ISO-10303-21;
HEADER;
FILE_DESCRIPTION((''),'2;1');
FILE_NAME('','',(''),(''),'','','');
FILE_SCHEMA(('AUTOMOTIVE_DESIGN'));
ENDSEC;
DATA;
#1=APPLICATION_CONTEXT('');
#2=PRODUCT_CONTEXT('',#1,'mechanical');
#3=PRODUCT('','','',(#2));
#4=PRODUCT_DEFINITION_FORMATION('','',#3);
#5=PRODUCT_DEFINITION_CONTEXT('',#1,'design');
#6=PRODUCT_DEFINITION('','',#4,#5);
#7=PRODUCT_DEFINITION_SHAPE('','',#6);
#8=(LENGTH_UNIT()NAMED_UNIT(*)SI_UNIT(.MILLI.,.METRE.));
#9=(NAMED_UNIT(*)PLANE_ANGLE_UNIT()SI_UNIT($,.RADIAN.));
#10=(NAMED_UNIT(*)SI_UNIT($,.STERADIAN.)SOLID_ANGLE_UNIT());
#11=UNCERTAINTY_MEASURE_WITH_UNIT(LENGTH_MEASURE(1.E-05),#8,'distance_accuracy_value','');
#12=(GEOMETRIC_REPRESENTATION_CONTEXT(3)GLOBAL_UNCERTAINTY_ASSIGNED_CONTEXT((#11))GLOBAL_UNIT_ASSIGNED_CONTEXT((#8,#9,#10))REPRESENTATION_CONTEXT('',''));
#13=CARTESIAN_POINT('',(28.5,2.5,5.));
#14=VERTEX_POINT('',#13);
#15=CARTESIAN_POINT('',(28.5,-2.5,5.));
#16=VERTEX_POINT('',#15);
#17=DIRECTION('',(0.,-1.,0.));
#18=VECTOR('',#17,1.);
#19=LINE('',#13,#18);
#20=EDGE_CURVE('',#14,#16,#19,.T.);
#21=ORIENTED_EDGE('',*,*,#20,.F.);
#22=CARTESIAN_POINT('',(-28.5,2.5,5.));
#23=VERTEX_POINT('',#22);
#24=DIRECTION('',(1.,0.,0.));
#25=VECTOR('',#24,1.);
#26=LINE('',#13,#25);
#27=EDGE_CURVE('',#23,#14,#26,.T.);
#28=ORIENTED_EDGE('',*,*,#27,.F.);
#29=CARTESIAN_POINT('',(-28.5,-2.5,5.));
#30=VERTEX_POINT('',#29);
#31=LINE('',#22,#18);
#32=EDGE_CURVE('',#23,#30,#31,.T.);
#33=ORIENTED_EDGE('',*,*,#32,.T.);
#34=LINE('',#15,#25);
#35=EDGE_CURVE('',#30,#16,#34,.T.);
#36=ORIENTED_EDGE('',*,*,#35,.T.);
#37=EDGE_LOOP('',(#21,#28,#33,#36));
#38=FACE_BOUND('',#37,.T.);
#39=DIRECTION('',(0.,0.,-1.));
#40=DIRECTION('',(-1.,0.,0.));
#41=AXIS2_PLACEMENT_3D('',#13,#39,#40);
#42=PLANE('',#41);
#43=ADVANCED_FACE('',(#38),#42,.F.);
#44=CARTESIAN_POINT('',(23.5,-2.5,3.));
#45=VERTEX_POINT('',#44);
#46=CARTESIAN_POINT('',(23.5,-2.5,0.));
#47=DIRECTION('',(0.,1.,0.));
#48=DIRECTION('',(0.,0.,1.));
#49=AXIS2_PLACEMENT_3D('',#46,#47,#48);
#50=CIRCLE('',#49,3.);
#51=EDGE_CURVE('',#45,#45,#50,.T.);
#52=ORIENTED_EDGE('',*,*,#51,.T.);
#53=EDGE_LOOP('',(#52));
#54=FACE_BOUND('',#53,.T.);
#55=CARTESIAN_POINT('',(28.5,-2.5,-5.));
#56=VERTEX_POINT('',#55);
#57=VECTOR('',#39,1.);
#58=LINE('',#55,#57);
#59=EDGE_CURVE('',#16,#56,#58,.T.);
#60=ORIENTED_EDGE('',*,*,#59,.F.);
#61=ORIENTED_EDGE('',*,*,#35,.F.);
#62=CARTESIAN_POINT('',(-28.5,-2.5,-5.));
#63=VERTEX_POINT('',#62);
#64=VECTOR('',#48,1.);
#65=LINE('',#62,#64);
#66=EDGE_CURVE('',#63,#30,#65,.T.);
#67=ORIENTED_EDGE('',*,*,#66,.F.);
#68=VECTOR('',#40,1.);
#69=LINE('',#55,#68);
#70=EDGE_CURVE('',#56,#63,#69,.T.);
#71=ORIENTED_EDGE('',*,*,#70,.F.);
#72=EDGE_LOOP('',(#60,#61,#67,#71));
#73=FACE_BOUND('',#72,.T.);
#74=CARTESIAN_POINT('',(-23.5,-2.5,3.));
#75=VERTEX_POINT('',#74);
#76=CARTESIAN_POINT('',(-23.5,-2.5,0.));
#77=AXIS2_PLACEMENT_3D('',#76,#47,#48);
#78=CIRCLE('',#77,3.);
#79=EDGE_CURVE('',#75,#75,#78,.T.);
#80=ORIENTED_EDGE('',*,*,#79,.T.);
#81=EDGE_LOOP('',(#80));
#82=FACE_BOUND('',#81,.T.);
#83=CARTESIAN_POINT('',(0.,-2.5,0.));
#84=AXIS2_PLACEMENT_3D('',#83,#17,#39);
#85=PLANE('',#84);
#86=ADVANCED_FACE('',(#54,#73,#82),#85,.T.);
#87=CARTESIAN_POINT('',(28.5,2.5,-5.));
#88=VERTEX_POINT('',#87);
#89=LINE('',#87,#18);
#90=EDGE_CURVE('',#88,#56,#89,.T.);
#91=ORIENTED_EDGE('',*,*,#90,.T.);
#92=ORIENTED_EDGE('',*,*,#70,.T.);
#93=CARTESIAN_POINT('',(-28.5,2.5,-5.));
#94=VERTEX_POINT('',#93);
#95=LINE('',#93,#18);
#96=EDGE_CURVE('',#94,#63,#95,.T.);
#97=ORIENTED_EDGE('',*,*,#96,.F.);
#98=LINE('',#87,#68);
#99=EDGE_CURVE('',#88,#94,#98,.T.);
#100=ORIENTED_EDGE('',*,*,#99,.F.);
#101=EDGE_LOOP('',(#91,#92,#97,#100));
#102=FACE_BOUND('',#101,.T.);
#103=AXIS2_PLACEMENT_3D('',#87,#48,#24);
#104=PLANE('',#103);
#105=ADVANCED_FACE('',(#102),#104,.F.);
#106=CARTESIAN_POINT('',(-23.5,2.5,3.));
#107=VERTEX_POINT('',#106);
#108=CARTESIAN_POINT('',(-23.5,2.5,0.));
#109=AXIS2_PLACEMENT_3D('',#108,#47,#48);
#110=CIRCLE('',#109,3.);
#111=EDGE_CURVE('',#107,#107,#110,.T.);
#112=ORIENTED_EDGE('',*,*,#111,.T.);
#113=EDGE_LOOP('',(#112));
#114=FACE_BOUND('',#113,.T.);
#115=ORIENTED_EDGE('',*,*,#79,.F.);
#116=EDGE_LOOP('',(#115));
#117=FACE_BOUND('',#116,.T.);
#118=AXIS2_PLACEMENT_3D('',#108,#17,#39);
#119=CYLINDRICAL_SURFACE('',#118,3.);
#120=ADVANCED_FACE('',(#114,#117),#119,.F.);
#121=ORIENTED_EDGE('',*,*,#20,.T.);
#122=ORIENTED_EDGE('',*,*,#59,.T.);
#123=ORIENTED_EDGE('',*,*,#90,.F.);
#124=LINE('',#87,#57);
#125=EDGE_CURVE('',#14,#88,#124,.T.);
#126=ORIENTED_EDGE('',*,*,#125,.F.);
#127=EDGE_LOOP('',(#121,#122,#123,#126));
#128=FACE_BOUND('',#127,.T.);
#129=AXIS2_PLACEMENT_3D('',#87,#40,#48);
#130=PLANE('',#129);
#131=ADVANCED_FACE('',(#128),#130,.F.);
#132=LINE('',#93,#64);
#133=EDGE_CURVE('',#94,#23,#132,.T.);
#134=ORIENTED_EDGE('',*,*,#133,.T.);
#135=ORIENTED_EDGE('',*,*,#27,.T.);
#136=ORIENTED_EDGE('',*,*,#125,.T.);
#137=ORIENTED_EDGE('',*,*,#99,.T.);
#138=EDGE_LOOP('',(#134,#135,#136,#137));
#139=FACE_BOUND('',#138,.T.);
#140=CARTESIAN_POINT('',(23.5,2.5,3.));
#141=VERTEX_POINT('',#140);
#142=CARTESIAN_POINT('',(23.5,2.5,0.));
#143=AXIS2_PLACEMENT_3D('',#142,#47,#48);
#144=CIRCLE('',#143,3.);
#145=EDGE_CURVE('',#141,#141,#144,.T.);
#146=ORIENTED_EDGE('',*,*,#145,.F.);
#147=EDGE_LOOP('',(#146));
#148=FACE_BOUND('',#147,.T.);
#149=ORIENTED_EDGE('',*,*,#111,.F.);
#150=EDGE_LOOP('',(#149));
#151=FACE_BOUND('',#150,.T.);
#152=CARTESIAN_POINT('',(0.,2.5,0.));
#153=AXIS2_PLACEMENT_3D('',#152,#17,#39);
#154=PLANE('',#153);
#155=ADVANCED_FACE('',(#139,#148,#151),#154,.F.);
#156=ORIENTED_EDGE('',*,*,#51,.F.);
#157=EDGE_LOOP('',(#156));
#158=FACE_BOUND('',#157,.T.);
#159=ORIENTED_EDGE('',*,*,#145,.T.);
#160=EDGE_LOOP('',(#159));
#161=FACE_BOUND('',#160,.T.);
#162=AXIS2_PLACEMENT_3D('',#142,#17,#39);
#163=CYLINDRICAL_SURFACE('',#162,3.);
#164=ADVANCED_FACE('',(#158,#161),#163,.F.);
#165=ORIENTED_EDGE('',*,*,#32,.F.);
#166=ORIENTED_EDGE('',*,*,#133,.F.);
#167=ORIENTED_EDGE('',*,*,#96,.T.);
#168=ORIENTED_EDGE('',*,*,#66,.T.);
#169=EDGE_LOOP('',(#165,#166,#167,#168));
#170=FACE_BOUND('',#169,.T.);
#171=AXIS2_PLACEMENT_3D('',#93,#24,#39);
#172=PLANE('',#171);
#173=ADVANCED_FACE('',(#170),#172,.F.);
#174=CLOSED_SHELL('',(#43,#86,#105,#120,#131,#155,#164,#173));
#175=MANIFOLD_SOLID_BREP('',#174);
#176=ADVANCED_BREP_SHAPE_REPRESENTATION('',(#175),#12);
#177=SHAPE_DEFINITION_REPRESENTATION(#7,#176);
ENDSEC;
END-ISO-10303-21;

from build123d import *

# Parameters (mm, degrees)
SKETCH1_W           = 57
SKETCH1_H           = 10
SKETCH1_R           = 3
BOSS_EXTRUDE1_DEPTH = 2.5


with BuildPart() as part:
    # Sketch1 → Boss-Extrude1 (new, symmetric)
    with BuildSketch(Plane(origin=(0, 0, 0), x_dir=(1, 0, 0), z_dir=(0, 1, 0))):
        Rectangle(SKETCH1_W, SKETCH1_H)
        with Locations(Location((-23.5, 0, 0), (0, 0, 270))):
            Circle(SKETCH1_R, mode=Mode.SUBTRACT)
        with Locations(Location((23.5, 0, 0), (0, 0, 270))):
            Circle(SKETCH1_R, mode=Mode.SUBTRACT)
    extrude(amount=BOSS_EXTRUDE1_DEPTH, both=True)


solid = part.part
